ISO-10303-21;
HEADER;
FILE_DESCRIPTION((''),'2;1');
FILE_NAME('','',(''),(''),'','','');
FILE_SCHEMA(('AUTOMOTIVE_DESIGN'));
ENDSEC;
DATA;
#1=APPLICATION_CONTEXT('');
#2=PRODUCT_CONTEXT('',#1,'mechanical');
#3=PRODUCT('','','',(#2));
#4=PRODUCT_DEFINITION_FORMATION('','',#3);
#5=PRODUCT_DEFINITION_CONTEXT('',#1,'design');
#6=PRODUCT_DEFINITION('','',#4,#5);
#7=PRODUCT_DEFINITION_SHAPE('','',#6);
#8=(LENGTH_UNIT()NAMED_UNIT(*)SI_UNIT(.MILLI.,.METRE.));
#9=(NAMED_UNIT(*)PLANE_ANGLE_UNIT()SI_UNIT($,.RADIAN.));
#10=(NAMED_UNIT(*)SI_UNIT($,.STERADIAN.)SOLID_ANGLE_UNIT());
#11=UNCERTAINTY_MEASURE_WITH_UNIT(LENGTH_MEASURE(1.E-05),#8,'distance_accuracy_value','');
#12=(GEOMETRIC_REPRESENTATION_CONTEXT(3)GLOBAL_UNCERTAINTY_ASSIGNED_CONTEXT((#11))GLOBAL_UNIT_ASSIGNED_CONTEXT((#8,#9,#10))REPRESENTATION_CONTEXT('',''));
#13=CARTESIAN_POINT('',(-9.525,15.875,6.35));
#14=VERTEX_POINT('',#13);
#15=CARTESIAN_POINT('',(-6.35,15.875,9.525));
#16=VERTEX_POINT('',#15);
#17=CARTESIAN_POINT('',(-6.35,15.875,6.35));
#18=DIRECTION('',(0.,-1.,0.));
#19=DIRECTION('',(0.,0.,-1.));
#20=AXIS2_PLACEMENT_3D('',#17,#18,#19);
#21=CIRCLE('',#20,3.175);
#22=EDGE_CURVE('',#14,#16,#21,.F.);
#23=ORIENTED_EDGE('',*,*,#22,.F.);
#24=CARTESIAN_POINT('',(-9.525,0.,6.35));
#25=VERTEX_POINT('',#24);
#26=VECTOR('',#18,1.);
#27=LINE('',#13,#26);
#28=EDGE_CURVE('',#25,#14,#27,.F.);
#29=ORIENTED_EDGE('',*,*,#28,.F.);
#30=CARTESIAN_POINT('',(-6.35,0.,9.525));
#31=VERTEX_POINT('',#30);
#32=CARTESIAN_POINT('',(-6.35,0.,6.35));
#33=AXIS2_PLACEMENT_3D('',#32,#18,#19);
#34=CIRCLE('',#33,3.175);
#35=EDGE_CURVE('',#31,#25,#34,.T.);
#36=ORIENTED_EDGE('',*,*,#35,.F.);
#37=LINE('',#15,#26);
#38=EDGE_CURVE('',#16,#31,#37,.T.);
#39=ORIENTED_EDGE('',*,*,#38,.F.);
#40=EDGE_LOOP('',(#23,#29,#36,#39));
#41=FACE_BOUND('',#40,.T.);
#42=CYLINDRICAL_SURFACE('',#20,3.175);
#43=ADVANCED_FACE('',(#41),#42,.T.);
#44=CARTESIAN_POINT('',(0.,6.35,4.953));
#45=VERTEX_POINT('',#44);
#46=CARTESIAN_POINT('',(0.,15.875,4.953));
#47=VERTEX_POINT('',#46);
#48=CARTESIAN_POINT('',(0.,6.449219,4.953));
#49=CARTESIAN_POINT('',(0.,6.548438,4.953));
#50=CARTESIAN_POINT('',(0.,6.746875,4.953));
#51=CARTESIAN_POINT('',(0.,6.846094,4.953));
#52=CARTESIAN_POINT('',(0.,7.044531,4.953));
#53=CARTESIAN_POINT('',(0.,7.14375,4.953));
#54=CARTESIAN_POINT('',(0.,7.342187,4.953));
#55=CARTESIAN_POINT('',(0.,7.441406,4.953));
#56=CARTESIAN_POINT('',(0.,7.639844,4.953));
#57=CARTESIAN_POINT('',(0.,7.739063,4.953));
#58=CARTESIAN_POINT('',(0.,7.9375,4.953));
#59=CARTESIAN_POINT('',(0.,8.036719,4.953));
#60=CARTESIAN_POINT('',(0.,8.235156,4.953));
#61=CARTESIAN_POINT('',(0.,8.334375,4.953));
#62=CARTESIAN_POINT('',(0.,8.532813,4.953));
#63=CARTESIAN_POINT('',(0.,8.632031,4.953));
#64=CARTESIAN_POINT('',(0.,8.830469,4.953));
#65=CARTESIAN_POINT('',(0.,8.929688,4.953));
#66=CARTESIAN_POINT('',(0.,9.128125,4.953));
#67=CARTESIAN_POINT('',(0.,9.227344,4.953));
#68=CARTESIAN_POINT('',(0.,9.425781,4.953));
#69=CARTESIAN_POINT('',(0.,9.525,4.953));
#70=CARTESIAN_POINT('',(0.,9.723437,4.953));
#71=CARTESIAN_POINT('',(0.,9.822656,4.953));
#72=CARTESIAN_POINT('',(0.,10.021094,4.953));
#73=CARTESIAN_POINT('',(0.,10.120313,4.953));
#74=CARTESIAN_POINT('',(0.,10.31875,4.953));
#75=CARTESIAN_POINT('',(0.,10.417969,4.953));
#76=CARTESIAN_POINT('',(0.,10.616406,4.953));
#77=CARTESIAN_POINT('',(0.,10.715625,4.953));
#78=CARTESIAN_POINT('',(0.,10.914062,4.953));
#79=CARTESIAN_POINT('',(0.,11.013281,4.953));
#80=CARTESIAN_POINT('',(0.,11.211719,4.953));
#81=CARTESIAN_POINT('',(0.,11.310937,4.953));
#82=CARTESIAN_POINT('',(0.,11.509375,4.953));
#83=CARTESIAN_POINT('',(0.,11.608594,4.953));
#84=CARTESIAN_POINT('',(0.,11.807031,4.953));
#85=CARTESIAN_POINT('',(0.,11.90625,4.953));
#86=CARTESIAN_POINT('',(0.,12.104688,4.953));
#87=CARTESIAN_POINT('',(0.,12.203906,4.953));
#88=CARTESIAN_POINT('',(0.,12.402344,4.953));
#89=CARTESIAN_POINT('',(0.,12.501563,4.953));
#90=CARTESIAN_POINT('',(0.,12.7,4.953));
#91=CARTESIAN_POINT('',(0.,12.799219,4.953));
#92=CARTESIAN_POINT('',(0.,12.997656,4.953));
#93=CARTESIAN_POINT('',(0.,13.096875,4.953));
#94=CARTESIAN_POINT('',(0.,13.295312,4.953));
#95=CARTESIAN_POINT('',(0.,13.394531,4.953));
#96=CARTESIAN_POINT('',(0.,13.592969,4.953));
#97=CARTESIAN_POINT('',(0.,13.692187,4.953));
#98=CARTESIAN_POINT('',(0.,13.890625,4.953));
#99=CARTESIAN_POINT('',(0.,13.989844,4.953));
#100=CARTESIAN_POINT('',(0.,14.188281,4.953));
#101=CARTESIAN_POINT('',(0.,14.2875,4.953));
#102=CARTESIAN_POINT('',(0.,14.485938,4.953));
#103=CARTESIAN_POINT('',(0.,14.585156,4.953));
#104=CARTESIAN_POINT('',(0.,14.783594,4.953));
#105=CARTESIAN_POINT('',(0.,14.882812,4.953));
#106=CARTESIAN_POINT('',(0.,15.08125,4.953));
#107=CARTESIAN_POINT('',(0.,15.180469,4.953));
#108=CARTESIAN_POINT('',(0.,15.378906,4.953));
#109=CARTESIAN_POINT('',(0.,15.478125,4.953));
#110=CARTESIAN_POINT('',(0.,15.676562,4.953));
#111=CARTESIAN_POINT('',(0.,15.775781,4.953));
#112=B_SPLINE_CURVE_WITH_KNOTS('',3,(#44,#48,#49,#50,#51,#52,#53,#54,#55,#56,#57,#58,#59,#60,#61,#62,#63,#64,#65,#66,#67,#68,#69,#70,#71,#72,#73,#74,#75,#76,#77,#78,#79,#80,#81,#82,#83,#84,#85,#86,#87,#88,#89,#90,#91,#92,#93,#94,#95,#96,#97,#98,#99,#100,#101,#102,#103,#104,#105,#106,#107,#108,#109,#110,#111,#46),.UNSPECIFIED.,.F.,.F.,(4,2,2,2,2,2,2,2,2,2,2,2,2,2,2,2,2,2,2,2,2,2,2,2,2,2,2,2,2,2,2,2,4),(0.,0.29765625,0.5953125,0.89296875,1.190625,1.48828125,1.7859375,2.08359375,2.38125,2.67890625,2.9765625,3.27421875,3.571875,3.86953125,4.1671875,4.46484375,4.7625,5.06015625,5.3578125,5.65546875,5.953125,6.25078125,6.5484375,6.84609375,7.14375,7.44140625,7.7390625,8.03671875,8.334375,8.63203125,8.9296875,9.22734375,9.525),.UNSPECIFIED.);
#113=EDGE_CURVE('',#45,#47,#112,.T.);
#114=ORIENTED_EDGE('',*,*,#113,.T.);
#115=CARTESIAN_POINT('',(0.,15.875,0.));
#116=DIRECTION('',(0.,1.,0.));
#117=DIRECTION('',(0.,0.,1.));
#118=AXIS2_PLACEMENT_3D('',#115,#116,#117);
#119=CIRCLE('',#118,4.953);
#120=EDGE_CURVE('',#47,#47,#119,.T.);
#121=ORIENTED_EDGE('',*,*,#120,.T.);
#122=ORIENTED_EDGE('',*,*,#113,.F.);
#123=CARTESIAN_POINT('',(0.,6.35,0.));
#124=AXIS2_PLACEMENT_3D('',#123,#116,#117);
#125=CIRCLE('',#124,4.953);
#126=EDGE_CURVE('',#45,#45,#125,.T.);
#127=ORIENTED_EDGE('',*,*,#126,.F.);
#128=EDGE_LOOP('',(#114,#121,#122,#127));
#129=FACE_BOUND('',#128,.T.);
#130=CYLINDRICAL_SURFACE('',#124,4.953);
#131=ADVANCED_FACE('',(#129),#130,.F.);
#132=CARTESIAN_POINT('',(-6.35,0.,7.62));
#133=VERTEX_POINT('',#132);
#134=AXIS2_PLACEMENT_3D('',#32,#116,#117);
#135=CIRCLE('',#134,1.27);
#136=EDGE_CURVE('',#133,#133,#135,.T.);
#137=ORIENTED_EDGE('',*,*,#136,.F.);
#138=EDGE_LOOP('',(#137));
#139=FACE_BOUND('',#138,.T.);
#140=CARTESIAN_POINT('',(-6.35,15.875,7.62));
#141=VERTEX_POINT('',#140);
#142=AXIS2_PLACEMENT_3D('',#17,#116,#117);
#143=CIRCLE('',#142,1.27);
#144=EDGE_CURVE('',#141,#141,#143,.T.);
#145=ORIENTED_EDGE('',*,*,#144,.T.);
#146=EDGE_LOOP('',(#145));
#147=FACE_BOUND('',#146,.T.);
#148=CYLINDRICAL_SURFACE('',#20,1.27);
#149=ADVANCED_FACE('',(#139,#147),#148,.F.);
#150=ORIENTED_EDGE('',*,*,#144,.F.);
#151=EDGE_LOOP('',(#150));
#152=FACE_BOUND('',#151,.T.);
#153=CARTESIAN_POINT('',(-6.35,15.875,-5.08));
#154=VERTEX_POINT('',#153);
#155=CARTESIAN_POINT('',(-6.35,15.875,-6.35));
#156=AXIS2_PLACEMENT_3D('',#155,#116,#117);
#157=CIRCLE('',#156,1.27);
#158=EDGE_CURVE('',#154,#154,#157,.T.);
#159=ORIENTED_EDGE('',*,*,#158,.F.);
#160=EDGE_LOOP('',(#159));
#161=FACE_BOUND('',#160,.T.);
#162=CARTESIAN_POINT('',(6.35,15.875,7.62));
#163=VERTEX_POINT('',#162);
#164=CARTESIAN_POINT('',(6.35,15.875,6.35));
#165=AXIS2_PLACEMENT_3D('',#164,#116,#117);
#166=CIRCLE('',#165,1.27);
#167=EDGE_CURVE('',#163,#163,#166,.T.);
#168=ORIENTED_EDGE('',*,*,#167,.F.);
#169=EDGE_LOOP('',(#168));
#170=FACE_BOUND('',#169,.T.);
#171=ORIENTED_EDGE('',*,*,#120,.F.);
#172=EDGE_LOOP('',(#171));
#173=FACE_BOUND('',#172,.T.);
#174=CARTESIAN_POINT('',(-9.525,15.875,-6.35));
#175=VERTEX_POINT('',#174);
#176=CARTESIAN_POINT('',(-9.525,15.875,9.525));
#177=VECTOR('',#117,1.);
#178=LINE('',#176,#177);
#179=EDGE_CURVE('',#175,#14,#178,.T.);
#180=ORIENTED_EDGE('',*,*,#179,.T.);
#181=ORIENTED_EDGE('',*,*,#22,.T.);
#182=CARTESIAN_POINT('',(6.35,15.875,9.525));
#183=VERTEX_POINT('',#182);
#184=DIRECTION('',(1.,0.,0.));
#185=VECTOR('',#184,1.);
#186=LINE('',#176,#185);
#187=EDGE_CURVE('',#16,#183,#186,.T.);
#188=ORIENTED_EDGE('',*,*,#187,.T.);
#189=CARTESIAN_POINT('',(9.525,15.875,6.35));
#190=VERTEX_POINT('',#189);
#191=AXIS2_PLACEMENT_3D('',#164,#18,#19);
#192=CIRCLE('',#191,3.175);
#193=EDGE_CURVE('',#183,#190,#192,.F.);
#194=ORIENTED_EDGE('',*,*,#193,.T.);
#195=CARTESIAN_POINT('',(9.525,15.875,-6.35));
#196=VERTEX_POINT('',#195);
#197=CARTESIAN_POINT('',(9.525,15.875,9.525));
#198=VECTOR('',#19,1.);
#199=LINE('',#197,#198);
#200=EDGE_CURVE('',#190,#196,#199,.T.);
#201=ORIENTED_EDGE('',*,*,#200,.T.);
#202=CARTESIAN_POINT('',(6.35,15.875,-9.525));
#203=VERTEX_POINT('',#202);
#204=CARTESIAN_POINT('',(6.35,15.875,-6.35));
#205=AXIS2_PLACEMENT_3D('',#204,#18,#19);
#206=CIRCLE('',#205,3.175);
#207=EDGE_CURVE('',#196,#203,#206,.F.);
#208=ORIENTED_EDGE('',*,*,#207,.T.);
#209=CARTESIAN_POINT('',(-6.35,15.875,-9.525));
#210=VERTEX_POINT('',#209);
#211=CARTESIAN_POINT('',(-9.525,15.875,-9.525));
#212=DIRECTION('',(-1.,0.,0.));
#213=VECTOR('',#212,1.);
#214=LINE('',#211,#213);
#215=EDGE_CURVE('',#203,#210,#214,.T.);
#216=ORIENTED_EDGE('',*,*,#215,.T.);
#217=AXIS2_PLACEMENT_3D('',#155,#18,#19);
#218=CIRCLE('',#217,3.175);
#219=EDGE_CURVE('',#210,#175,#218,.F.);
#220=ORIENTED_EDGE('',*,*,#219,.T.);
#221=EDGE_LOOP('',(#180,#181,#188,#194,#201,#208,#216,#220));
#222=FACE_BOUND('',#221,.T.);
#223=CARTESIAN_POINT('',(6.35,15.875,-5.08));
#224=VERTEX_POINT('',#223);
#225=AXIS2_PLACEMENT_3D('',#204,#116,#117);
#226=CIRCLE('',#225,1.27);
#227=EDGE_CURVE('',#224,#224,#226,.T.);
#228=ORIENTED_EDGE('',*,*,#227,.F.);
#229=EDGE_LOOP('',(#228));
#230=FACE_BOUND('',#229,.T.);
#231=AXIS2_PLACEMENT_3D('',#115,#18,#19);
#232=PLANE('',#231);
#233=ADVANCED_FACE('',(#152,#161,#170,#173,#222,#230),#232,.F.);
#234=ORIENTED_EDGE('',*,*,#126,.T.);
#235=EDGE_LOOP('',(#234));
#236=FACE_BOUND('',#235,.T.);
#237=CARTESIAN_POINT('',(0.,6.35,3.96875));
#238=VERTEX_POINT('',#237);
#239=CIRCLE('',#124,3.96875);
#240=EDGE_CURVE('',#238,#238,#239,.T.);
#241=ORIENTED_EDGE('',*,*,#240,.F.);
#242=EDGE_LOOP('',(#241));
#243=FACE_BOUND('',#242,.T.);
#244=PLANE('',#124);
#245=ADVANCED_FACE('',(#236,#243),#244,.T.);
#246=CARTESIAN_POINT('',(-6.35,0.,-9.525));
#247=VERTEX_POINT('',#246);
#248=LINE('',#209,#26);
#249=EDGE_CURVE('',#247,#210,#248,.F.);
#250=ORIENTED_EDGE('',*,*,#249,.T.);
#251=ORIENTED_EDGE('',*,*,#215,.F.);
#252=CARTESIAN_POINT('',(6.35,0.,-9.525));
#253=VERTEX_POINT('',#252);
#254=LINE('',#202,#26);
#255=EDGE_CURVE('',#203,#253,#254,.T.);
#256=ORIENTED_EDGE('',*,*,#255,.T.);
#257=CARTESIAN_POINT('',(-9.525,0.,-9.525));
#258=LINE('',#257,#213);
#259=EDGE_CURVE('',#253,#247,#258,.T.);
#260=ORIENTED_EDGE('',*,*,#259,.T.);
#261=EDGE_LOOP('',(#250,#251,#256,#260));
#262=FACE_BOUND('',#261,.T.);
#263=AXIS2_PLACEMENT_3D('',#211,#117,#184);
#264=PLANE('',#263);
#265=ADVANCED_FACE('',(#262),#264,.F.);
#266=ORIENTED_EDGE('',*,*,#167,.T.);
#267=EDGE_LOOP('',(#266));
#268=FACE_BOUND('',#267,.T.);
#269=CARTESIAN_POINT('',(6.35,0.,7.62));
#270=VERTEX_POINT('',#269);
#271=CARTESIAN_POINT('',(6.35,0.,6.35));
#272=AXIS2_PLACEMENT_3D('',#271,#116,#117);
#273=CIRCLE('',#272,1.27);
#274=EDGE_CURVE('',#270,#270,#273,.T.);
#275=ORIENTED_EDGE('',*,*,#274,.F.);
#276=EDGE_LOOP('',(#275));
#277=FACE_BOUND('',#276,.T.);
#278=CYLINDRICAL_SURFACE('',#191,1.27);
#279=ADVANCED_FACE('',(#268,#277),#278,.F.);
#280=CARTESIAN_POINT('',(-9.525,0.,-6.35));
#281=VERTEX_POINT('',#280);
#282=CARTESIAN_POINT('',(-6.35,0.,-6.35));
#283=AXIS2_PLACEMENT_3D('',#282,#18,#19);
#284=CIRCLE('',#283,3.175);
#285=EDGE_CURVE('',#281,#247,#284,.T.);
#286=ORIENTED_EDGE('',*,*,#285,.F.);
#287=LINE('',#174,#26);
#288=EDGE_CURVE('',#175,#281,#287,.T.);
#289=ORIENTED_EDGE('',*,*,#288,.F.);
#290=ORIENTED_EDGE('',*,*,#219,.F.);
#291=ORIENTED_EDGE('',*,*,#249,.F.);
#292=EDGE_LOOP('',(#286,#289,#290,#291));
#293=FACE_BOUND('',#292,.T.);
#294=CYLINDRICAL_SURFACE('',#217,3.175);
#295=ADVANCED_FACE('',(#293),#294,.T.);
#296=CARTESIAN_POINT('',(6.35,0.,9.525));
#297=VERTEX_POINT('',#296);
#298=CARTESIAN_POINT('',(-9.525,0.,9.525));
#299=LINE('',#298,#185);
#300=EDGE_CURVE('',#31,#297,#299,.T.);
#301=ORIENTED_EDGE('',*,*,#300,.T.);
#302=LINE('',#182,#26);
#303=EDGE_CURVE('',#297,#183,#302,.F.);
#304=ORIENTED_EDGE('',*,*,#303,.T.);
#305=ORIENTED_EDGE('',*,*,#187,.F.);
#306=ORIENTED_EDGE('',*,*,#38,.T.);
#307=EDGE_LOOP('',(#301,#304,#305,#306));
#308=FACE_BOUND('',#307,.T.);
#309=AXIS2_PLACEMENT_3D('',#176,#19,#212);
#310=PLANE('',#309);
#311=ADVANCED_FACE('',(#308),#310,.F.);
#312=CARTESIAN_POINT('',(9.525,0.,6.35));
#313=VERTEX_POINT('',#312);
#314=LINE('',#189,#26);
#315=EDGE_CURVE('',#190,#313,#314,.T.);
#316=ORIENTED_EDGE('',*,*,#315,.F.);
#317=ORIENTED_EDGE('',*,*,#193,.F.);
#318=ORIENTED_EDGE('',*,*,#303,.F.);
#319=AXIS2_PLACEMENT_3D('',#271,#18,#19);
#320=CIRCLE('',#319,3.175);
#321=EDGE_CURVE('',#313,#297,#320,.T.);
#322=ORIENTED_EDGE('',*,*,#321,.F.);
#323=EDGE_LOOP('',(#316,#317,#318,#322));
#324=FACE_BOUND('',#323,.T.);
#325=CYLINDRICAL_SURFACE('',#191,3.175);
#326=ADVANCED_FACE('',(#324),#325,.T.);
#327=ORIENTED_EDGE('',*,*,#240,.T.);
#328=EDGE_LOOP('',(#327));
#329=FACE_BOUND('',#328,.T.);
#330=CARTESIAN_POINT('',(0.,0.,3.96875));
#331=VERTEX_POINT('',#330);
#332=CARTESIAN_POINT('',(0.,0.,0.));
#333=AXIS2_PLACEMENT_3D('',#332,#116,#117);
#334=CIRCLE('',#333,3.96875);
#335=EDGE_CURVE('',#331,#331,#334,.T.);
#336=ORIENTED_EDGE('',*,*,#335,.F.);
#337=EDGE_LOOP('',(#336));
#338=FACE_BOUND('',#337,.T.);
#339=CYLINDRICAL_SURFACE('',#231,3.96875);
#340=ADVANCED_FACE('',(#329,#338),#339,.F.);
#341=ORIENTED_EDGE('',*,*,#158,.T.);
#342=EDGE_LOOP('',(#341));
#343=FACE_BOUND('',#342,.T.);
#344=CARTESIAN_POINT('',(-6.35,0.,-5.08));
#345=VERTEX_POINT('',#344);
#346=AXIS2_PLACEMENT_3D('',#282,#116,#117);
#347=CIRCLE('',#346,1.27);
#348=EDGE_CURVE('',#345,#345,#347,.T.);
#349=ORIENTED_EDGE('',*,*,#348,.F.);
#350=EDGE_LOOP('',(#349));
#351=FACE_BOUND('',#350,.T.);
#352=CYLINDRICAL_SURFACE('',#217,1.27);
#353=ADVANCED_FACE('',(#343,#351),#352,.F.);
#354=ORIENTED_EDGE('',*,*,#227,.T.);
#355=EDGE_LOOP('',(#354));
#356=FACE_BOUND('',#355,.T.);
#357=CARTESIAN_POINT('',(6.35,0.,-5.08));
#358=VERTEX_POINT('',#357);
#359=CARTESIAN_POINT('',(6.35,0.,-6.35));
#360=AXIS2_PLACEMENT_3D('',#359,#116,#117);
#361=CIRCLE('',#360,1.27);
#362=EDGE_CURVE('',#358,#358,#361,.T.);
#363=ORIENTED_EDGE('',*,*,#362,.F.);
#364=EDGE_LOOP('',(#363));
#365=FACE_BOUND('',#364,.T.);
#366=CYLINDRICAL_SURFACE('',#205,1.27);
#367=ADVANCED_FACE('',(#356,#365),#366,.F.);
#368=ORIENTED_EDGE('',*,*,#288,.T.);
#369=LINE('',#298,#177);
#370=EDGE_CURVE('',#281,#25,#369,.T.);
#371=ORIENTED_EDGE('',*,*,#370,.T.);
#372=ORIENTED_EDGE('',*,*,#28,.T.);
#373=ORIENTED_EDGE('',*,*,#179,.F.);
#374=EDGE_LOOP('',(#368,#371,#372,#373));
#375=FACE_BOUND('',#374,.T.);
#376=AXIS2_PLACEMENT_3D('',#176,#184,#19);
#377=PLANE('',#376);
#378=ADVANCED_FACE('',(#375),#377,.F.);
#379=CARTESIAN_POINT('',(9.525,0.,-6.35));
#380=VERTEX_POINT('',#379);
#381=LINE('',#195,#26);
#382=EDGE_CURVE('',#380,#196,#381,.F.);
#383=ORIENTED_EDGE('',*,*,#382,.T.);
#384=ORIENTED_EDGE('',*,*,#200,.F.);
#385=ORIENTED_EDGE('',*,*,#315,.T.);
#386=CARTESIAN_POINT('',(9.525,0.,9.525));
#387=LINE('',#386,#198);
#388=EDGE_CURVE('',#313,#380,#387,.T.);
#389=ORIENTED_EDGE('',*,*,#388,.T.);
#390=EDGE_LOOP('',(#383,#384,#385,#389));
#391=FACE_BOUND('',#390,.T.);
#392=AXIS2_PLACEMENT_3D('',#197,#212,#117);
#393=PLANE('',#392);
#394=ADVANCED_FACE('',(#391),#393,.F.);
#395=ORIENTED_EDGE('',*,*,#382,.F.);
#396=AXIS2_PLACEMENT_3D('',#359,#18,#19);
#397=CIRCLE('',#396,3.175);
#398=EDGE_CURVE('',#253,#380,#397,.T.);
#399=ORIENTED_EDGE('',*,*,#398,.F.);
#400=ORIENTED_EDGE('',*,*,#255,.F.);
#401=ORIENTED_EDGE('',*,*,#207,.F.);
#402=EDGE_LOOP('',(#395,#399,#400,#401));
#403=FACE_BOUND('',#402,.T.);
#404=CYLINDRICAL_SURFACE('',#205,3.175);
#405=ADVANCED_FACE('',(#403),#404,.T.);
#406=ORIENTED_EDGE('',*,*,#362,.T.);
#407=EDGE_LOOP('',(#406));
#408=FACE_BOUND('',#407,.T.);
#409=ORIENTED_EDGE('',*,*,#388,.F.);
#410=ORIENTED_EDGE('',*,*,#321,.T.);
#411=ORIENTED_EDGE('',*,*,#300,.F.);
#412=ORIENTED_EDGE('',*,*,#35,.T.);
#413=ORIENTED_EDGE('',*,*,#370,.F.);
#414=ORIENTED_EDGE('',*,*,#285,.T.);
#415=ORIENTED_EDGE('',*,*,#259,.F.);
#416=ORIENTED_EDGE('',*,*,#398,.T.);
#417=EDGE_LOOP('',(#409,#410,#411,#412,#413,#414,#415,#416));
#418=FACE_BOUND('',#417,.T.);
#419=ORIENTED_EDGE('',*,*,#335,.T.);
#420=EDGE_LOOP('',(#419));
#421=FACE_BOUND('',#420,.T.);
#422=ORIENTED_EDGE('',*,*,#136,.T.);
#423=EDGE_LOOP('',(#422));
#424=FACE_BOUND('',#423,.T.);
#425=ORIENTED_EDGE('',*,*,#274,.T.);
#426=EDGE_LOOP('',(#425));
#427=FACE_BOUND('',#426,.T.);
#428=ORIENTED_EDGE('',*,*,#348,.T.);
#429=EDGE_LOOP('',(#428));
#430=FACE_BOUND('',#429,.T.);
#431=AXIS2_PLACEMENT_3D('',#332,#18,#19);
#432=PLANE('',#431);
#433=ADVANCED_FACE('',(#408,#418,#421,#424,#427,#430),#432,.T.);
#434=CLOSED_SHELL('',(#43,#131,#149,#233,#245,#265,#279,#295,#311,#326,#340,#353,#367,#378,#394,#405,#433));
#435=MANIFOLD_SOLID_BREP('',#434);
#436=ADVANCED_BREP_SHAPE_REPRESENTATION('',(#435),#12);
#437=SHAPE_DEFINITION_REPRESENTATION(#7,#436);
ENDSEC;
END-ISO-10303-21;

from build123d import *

# Parameters (mm, degrees)
SKETCH1_W           = 19.05
SKETCH1_H           = 19.05
SKETCH1_R           = 1.27
SKETCH1_R_2         = 3.96875
BOSS_EXTRUDE1_DEPTH = 15.875
FILLET2_R           = 3.175
SKETCH3_R           = 4.953
CUT_EXTRUDE1_DEPTH  = 9.525


with BuildPart() as part:
    # Sketch1 → Boss-Extrude1 (new body)
    with BuildSketch(Plane(origin=(0, 0, 0), x_dir=(1, 0, 0), z_dir=(0, 1, 0))):
        Rectangle(SKETCH1_W, SKETCH1_H)
        with Locations(Location((-6.35, 6.35, 0), (0, 0, 270))):
            Circle(SKETCH1_R, mode=Mode.SUBTRACT)
        with Locations(Location((6.35, 6.35, 0), (0, 0, 270))):
            Circle(SKETCH1_R, mode=Mode.SUBTRACT)
        with Locations(Location((6.35, -6.35, 0), (0, 0, 270))):
            Circle(SKETCH1_R, mode=Mode.SUBTRACT)
        with Locations(Location((-6.35, -6.35, 0), (0, 0, 270))):
            Circle(SKETCH1_R, mode=Mode.SUBTRACT)
        with Locations(Location((0, 0, 0), (0, 0, 270))):
            Circle(SKETCH1_R_2, mode=Mode.SUBTRACT)
    extrude(amount=BOSS_EXTRUDE1_DEPTH)

    # Fillet2
    fillet2_edges = [part.edges().sort_by_distance(p)[0] for p in [
        (9.525, 7.9375, 9.525),
        (-9.525, 7.9375, 9.525),
        (-9.525, 7.9375, -9.525),
        (9.525, 7.9375, -9.525),
    ]]
    fillet(fillet2_edges, radius=FILLET2_R)

    # Sketch3 → Cut-Extrude1 (cut)
    with BuildSketch(Plane(origin=(0, 15.875, 0), x_dir=(1, 0, 0), z_dir=(0, 1, 0))):
        with Locations(Location((0, 0, 0), (0, 0, 270))):
            Circle(SKETCH3_R)
    extrude(amount=-CUT_EXTRUDE1_DEPTH, mode=Mode.SUBTRACT)


solid = part.part
